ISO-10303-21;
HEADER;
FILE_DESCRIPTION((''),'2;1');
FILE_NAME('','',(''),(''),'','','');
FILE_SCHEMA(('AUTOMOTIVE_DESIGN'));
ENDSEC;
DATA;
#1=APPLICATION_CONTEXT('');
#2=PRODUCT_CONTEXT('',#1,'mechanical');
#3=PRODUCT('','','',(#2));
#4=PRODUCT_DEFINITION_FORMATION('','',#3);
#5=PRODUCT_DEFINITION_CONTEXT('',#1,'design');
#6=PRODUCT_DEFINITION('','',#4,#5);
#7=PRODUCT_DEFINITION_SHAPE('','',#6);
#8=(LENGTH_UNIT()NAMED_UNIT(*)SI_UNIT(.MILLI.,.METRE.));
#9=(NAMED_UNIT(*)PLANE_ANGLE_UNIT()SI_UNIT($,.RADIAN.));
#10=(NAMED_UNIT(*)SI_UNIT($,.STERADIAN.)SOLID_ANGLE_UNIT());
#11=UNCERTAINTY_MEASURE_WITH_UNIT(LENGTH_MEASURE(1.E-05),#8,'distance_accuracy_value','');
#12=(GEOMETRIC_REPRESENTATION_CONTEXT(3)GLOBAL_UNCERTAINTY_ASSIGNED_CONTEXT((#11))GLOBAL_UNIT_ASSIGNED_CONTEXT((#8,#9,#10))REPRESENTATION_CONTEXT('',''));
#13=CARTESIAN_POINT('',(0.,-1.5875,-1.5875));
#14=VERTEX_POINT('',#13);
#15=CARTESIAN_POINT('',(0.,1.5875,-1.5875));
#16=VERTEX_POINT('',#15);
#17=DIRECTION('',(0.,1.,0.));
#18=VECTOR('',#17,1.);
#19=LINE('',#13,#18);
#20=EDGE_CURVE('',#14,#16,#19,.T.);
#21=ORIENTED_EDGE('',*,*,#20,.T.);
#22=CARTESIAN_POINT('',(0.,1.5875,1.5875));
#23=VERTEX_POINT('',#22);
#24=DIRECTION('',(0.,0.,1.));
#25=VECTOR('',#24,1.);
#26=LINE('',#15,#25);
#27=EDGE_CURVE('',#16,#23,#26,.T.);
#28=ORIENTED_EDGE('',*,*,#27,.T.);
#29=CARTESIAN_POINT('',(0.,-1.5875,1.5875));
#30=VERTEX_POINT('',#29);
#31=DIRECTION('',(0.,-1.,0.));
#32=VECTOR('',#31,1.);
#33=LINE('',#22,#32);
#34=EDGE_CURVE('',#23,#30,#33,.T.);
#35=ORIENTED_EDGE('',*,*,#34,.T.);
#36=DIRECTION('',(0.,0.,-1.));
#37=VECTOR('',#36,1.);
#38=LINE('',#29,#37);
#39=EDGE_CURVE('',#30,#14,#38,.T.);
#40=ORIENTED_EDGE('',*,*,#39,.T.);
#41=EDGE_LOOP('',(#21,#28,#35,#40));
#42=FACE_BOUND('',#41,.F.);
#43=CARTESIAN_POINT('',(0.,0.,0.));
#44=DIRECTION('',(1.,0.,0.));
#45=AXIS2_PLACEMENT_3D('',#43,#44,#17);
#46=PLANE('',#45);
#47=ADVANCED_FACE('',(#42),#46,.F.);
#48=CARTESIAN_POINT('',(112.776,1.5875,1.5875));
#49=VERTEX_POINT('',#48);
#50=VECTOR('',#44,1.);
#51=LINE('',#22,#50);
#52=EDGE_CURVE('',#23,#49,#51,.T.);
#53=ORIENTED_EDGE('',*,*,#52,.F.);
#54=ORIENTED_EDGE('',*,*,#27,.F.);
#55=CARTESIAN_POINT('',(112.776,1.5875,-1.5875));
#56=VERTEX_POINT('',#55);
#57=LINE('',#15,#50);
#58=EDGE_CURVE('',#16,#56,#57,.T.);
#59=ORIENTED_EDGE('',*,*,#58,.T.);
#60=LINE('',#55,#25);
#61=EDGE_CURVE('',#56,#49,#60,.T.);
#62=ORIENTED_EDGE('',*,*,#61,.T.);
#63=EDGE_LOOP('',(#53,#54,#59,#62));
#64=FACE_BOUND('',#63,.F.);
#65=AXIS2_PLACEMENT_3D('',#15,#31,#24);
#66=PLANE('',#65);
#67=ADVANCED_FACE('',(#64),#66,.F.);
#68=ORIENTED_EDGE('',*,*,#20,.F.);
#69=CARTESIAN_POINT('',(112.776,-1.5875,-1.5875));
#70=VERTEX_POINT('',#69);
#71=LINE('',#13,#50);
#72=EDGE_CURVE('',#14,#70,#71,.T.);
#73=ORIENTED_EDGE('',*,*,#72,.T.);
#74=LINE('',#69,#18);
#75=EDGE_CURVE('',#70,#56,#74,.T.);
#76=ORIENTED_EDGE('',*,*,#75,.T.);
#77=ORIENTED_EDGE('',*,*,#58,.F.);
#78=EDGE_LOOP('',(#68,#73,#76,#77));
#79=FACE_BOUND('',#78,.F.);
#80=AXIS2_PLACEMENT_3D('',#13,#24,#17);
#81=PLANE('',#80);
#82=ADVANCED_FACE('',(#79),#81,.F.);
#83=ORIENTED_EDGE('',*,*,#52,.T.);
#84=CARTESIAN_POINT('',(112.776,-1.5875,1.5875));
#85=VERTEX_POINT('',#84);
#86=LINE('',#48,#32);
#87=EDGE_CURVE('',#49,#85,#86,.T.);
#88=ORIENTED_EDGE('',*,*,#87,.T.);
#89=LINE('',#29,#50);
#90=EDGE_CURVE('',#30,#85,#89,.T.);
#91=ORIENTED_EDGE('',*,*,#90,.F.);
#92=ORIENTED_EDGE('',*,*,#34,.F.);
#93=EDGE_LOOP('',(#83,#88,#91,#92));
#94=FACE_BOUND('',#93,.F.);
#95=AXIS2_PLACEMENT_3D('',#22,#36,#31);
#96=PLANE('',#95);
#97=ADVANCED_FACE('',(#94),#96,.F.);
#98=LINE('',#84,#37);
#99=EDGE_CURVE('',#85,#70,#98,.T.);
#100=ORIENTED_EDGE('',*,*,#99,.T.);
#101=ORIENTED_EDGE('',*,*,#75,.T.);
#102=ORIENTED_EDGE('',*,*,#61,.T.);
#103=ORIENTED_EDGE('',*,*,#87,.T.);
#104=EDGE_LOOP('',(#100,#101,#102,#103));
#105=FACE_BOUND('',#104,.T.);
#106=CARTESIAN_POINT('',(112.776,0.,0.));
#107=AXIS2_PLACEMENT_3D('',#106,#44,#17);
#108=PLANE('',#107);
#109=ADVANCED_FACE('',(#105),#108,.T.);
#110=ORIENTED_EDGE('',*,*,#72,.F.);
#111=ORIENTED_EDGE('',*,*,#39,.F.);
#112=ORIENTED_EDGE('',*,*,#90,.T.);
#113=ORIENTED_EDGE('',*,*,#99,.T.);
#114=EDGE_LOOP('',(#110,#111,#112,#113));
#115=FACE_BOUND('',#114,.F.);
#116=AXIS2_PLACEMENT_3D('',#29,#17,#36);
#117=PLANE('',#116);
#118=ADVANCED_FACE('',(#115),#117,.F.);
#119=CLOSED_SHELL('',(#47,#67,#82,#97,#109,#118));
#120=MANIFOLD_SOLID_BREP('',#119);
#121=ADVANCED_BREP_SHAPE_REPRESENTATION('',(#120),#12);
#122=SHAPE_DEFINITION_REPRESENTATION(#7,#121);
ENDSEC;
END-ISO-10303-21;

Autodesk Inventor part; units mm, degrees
ref_plane "YZ Plane" through (0, 0, 0) normal (1, 0, 0) x (0, 1, 0)
ref_plane "XZ Plane" through (0, 0, 0) normal (0, 1, 0) x (-1, 0, 0)
ref_plane "XY Plane" through (0, 0, 0) normal (0, 0, 1) x (1, 0, 0)
sketch "Sketch1" plane through (0, 0, 0) normal (1, 0, 0) x (0, 1, 0)
  line L0 (1.5875, 1.5875) -> (-1.5875, 1.5875)
  line L1 (-1.5875, 1.5875) -> (-1.5875, -1.5875)
  line L2 (-1.5875, -1.5875) -> (1.5875, -1.5875)
  line L3 (1.5875, -1.5875) -> (1.5875, 1.5875)
  line L4 (0, 1.5875) -> (0, -1.5875) construction
  point P0 (0, 0)
  point P1 (0, 0)
  dimension "d0" = 3.175
  dimension "d1" = 3.175
extrude "Extrusion1" add sketch "Sketch1" along normal blind 112.776
equation "\"d0\" = Gearbox_Shaft_Key_Width"
equation "\"d1\" = Gearbox_Shaft_Key_Height"
equation "\"Gearbox_Shaft_OD\" = 12.7"
equation "\"Gearbox_Shaft_Key_Width\" = 3.175"
equation "\"Gearbox_Shaft_Key_Height\" = 3.175"
equation "\"Drum_Spool_OD\" = 50.8"
equation "\"Drum_Wall_OD\" = 76.2"
equation "\"Drum_Spool_Width\" = 50.8"
equation "\"Drum_Wall_Width\" = 6.35"
equation "\"Break_Edge\" = 1"
equation "\"Fitting_Break\" = 2"
properties part number "Drum_Key" material "Steel, Carbon"
